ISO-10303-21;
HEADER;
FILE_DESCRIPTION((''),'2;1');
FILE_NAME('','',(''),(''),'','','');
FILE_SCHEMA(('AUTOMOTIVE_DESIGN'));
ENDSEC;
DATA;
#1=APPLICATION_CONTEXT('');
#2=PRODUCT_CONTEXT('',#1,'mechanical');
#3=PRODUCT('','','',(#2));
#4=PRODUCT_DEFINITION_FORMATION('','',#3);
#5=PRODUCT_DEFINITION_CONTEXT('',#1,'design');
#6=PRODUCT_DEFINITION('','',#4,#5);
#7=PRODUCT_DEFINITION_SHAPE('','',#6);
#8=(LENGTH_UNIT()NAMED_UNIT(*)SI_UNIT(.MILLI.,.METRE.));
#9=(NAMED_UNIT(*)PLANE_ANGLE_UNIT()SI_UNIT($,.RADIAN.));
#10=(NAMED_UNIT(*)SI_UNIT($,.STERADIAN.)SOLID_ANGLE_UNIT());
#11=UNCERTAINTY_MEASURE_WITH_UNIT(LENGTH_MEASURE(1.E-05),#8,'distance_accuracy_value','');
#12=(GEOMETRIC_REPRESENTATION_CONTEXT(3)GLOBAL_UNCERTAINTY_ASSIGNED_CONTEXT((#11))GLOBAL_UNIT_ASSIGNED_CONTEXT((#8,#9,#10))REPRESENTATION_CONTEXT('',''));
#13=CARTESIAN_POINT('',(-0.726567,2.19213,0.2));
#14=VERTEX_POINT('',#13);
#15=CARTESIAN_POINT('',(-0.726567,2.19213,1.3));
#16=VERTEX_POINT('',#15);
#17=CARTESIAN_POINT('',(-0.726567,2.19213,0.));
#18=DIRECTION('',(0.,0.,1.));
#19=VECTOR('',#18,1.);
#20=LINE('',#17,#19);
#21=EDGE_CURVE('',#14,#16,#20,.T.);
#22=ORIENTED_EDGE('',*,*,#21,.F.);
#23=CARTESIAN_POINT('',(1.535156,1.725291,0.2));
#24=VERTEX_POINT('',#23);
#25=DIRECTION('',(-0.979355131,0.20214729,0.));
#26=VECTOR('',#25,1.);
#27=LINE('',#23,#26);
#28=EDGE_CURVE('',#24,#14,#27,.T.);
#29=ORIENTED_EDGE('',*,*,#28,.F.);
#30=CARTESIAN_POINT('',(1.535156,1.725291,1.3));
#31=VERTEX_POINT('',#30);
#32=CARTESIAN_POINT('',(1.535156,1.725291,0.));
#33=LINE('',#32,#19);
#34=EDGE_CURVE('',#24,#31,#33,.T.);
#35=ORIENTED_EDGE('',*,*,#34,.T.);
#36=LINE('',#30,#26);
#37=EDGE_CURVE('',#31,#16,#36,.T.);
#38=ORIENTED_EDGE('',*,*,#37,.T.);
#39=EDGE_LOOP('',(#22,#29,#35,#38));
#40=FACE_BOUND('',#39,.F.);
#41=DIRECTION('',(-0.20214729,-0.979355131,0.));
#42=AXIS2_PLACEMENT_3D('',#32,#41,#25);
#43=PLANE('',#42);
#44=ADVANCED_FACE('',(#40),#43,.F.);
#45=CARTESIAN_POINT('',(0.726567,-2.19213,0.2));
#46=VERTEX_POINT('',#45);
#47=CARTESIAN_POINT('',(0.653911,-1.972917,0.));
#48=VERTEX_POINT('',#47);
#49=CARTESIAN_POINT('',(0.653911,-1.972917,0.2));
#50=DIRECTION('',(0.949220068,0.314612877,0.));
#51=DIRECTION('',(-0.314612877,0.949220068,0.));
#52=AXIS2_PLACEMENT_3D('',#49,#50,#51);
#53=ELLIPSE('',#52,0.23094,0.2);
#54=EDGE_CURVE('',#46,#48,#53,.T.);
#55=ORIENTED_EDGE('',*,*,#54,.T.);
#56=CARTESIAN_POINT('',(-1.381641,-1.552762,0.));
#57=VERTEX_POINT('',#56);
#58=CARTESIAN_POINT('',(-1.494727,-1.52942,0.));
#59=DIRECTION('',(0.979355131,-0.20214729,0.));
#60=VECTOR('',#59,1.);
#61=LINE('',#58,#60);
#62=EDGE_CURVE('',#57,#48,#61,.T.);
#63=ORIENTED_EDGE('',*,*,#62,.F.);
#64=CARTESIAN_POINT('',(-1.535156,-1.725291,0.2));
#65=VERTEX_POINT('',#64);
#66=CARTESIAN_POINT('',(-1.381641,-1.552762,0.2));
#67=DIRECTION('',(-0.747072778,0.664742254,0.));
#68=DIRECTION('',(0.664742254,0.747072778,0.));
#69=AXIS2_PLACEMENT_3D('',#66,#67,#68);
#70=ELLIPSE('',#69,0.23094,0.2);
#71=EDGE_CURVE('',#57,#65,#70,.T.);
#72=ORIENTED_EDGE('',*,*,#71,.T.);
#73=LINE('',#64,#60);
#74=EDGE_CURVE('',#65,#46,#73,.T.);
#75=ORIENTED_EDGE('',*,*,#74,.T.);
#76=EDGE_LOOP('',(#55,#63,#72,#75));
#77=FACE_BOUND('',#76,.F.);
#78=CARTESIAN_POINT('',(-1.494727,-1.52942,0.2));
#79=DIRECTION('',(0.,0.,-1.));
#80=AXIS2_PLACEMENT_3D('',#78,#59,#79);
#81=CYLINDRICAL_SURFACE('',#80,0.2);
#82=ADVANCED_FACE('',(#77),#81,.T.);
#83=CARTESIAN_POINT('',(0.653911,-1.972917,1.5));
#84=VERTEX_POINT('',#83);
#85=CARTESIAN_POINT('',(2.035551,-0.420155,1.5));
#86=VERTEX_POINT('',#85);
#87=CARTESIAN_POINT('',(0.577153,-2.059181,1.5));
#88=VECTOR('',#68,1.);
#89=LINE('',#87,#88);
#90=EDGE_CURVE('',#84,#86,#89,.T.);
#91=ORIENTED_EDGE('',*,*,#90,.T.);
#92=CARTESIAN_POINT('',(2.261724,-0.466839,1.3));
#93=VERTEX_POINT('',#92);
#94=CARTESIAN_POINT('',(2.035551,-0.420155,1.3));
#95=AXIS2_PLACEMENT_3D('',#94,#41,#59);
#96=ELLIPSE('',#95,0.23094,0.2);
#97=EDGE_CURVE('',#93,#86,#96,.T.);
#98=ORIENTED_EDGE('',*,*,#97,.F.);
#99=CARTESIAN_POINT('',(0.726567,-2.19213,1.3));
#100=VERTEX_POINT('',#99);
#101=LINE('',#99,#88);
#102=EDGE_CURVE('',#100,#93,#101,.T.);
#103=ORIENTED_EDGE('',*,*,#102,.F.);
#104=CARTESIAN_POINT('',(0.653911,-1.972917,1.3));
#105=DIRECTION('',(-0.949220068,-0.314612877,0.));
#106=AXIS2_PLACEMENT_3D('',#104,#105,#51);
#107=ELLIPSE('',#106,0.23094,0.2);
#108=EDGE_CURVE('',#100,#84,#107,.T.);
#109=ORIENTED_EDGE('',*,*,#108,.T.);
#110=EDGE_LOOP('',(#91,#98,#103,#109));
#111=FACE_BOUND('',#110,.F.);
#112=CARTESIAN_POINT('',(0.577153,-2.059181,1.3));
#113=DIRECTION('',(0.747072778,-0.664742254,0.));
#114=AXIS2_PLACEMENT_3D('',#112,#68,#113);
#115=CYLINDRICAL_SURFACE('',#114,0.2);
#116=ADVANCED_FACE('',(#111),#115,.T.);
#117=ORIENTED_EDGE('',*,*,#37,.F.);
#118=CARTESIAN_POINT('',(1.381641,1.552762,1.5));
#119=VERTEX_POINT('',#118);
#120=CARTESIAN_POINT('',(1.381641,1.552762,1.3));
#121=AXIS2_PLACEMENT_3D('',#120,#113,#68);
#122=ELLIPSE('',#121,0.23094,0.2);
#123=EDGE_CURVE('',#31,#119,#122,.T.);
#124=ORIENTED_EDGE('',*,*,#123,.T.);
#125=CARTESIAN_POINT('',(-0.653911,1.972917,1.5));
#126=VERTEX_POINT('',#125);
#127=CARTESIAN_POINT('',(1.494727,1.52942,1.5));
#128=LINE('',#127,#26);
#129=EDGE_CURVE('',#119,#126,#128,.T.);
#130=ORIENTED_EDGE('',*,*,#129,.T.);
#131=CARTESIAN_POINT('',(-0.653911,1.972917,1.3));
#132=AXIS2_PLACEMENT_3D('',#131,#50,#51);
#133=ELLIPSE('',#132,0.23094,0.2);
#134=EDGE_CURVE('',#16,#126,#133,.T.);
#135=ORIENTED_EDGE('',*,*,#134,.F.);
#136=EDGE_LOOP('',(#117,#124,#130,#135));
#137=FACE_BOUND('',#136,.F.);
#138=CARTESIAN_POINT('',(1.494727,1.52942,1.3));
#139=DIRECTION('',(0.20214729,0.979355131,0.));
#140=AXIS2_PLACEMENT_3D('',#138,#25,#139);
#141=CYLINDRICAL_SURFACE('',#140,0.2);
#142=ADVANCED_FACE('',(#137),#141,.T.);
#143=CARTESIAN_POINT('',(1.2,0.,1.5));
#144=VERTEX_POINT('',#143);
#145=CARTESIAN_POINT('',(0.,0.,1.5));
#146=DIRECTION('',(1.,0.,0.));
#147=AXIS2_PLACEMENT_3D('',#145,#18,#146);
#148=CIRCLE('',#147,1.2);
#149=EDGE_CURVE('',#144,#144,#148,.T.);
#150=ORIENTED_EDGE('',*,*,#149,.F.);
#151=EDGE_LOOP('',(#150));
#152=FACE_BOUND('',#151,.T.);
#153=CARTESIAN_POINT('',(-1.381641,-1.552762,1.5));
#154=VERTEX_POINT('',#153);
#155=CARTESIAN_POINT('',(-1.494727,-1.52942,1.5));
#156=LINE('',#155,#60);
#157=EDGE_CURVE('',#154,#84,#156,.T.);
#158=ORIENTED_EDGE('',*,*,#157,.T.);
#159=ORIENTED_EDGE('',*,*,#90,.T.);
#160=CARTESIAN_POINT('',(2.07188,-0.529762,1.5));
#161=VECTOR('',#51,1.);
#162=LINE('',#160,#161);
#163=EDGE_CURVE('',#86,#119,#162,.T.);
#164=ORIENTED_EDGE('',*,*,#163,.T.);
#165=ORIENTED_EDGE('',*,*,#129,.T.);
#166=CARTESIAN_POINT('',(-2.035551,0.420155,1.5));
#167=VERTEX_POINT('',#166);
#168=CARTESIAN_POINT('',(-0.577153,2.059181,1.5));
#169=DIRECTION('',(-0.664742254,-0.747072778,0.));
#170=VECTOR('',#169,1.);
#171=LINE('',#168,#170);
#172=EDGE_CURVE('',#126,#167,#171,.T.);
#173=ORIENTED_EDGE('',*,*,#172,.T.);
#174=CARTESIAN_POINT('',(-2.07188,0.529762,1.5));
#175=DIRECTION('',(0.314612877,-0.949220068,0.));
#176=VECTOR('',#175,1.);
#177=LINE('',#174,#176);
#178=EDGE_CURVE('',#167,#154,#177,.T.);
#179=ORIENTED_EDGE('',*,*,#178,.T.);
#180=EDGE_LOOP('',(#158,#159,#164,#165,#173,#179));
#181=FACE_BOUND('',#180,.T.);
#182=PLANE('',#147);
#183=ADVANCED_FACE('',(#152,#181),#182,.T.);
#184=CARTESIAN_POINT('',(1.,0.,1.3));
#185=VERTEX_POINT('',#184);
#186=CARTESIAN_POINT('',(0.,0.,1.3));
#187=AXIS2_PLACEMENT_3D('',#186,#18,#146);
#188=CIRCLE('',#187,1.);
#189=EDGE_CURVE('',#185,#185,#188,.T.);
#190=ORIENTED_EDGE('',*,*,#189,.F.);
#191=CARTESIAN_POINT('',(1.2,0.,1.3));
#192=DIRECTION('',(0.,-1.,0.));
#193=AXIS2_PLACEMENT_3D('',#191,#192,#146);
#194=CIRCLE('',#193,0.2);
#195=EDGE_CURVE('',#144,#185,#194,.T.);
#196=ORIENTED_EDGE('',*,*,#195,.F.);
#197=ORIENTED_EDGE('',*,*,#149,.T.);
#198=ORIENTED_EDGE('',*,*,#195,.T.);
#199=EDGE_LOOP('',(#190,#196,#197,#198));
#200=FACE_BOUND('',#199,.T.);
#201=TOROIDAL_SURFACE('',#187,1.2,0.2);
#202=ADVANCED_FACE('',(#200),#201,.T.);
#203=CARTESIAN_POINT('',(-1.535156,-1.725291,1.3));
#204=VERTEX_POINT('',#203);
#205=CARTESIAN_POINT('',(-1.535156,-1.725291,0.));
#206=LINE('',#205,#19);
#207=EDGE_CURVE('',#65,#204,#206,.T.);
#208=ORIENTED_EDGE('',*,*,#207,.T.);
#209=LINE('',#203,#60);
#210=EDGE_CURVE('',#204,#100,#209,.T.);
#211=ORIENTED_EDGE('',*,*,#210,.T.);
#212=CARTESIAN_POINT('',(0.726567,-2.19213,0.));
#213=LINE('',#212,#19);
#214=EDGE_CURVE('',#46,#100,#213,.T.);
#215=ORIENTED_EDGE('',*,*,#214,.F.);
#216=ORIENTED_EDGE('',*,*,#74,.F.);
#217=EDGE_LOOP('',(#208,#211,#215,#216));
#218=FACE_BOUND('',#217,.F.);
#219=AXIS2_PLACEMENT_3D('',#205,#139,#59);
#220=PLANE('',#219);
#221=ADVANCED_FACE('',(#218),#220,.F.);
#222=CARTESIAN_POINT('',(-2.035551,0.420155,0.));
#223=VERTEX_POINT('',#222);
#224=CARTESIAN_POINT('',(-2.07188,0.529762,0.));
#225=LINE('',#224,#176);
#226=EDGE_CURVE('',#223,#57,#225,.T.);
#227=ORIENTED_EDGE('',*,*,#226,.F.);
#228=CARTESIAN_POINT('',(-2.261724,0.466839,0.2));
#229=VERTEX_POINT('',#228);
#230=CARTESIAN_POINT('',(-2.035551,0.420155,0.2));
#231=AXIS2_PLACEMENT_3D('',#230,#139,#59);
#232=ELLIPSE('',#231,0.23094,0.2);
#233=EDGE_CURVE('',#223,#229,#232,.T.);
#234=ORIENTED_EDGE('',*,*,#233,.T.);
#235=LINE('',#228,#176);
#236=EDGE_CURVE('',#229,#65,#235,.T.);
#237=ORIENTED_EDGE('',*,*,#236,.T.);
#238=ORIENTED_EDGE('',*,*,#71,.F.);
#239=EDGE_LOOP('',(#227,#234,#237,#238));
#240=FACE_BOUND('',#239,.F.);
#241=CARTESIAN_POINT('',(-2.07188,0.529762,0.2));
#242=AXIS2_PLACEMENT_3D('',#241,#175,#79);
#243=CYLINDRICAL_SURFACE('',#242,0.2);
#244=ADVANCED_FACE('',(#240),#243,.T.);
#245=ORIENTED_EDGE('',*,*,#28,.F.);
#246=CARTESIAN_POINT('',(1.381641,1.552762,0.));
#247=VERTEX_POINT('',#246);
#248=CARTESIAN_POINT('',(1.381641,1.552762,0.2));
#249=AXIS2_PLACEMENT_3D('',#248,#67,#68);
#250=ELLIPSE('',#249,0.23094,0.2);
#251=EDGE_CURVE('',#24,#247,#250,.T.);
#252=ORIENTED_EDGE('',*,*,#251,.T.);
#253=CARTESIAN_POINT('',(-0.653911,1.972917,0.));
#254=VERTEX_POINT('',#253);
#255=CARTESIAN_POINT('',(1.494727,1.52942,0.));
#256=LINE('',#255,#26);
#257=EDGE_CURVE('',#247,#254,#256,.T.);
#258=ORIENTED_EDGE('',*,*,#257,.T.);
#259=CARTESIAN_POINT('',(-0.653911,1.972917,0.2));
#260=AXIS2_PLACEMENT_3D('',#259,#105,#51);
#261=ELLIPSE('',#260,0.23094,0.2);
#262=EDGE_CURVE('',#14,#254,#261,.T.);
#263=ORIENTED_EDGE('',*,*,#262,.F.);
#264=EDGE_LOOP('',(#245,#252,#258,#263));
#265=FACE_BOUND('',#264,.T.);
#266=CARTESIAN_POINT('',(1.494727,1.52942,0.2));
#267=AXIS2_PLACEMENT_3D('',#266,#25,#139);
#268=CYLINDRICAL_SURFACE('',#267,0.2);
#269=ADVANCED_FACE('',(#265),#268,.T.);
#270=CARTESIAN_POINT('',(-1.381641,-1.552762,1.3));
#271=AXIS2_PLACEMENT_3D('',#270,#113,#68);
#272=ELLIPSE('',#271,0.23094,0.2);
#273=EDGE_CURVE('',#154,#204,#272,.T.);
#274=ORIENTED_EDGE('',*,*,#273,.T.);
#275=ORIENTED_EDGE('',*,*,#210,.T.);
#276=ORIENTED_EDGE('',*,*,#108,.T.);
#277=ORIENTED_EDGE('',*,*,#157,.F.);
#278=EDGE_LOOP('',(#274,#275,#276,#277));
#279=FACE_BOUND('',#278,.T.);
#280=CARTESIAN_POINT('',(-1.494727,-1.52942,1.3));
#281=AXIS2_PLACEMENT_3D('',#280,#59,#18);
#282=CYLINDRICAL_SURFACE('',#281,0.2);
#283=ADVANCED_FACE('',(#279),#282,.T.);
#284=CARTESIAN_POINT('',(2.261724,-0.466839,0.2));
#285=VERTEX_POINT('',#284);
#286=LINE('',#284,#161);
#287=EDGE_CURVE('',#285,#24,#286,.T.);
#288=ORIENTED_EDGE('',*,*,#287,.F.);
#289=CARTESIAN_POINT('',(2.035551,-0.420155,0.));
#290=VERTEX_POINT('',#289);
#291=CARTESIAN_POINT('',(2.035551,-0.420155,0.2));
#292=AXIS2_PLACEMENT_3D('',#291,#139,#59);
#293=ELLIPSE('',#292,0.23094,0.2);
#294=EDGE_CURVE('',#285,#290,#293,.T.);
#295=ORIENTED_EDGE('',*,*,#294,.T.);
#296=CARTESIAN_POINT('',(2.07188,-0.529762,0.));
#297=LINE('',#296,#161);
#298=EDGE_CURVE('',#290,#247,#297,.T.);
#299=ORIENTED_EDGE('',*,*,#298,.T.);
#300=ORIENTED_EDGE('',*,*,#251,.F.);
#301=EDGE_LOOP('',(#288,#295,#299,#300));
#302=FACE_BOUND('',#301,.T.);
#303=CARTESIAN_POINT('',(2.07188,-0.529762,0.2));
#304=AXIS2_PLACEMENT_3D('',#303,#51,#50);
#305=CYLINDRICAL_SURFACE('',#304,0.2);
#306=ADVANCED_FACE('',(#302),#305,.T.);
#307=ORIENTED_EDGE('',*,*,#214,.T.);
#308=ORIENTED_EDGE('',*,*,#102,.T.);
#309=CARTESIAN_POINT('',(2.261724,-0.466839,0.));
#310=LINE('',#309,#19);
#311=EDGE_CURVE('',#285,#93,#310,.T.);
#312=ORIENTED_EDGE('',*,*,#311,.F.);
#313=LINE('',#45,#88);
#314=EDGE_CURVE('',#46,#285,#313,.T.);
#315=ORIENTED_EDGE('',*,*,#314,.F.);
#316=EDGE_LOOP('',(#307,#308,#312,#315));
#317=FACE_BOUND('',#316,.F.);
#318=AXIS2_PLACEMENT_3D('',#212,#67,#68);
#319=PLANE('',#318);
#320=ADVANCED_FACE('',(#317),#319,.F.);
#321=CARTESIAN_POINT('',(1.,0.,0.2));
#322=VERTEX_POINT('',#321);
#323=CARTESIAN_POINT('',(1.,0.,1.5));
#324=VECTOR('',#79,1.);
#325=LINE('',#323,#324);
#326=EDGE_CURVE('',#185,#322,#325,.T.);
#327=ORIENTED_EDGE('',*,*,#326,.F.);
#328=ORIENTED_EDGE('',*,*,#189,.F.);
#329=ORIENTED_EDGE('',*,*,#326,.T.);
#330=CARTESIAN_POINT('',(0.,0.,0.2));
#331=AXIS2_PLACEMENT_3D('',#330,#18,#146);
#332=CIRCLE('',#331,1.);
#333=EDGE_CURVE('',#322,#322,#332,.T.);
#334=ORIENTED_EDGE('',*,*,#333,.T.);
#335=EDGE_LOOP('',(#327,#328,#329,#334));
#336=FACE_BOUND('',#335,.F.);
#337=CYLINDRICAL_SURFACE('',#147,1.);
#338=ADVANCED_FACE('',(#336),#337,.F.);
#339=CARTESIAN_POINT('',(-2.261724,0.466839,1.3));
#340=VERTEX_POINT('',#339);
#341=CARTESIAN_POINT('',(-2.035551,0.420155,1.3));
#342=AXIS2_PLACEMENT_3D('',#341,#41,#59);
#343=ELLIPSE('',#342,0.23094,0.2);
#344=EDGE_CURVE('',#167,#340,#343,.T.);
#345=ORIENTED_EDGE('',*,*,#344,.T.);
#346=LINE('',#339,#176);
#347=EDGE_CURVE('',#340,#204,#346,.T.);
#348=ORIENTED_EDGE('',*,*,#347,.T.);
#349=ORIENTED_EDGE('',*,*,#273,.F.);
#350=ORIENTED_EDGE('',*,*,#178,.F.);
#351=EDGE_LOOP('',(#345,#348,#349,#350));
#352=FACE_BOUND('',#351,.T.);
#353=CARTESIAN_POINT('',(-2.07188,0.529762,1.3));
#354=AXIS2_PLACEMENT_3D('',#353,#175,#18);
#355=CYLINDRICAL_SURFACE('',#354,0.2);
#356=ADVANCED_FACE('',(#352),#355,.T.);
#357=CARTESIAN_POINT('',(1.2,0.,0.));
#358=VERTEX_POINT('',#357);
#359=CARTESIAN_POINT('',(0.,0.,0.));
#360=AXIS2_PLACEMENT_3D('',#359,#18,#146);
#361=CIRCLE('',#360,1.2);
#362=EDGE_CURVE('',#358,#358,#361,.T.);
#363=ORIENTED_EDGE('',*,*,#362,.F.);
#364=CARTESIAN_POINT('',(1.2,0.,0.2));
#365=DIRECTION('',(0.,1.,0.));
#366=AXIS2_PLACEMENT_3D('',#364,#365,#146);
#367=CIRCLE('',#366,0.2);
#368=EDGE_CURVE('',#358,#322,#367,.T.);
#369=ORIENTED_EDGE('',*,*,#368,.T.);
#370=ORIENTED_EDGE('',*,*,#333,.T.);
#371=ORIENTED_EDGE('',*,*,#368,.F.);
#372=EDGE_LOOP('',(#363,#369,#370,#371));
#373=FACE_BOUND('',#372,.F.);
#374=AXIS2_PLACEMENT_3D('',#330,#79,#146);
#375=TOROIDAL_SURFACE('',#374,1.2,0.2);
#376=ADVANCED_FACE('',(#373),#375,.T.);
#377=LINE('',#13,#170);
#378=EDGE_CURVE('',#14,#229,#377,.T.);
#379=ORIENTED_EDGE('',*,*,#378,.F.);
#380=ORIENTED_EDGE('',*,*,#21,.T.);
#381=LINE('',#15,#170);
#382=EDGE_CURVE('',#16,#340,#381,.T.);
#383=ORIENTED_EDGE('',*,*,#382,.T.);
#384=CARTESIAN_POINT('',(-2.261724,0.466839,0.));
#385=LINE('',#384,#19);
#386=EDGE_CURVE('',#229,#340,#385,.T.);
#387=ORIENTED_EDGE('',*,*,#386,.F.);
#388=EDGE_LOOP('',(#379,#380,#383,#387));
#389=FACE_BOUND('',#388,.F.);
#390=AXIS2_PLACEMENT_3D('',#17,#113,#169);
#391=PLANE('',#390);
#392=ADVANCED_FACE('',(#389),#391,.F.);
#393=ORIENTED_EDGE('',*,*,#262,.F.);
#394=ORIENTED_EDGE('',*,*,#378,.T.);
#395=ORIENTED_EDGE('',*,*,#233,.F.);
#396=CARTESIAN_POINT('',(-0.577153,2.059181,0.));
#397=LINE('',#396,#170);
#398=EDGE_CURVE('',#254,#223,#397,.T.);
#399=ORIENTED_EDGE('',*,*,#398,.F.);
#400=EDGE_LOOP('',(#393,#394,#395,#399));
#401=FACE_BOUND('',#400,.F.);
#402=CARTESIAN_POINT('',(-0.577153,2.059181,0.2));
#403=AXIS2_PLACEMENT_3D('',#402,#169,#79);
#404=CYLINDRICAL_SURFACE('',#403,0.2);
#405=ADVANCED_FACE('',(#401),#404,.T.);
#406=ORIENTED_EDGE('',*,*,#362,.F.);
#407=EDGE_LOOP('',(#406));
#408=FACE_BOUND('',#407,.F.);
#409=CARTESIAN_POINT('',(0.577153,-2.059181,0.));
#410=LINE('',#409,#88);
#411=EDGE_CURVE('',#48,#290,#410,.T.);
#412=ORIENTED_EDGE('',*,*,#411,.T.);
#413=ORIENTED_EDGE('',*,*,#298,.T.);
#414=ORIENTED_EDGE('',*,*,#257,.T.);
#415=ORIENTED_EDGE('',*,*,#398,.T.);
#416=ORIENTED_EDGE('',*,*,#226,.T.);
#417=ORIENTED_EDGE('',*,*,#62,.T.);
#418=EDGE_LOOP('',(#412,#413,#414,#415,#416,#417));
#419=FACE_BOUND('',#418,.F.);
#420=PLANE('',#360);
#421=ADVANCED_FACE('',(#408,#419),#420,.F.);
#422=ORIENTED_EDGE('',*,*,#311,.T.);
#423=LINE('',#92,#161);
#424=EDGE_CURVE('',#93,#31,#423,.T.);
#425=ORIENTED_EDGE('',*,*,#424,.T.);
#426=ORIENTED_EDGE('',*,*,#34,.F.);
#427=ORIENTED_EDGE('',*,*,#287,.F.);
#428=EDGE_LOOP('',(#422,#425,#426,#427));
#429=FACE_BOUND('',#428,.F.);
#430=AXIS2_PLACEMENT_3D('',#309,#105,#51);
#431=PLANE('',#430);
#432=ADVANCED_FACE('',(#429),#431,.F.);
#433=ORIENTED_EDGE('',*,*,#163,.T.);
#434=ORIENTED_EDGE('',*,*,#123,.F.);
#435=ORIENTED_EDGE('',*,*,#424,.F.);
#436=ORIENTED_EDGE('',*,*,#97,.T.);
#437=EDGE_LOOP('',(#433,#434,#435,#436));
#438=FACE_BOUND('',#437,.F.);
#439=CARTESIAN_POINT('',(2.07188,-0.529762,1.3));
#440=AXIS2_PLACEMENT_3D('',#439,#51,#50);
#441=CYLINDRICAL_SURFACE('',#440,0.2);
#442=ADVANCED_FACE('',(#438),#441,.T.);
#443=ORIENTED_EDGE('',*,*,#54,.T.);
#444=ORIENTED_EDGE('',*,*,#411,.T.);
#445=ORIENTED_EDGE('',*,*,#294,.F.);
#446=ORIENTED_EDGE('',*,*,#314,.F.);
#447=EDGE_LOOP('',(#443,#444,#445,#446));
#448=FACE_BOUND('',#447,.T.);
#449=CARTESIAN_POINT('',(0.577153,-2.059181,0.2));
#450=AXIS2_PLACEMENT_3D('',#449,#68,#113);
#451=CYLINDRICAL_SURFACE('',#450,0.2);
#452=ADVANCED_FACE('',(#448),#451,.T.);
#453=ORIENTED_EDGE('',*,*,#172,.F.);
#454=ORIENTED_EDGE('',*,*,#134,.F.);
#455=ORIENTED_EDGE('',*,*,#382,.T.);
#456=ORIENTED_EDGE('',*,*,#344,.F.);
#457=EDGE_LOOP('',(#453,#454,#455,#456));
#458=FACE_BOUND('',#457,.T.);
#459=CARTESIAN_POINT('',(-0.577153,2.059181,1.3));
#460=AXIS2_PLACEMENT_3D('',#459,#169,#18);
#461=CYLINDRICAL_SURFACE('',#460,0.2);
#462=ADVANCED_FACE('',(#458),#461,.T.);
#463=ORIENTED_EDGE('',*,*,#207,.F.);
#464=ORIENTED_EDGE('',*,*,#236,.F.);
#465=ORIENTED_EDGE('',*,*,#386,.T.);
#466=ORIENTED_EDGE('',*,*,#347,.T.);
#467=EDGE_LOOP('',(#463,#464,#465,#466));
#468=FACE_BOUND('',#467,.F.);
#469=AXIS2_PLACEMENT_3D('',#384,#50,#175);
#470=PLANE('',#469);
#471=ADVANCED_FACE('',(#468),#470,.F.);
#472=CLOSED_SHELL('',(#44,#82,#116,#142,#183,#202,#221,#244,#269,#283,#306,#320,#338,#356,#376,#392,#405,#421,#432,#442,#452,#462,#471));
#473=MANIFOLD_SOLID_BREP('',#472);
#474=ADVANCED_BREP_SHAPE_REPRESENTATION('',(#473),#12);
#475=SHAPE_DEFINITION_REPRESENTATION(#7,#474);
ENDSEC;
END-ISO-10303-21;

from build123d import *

# Parameters (mm, degrees)
F1_DEPTH = 1.5
F2_R     = 1
F3_DEPTH = 25
F4_R     = 0.2


with BuildPart() as f1:
    # F0 (on Top) → F1 (new body)
    with BuildSketch(Plane.XY):
        Polygon((2.2617237946, -0.4668391698), (1.5351564778, 1.7252906776), (-0.7265673168, 2.1921298473), (-2.2617237946, 0.4668391698), (-1.5351564778, -1.7252906776), (0.7265673168, -2.1921298473), align=None)
    extrude(amount=F1_DEPTH)

    # F2 (on face) → F3 (cut)
    with BuildSketch(Plane.XY.offset(1.5)):
        Circle(F2_R)
    extrude(amount=-F3_DEPTH, mode=Mode.SUBTRACT)

    # F4
    f4_edges = [f1.edges().sort_by_distance(p)[0] for p in [
        (-1, 0, 1.5),
        (1.494146, -1.329485, 1.5),
        (-0.404295, -1.95871, 1.5),
        (1.89844, 0.629226, 1.5),
        (-1.89844, -0.629226, 1.5),
        (0.404295, 1.95871, 1.5),
        (-1.494146, 1.329485, 1.5),
        (1.494146, -1.329485, 0),
        (-0.404295, -1.95871, 0),
        (1.89844, 0.629226, 0),
        (-1.89844, -0.629226, 0),
        (0.404295, 1.95871, 0),
        (-1.494146, 1.329485, 0),
        (-1, 0, 0),
    ]]
    fillet(f4_edges, radius=F4_R)


solid = f1.part
